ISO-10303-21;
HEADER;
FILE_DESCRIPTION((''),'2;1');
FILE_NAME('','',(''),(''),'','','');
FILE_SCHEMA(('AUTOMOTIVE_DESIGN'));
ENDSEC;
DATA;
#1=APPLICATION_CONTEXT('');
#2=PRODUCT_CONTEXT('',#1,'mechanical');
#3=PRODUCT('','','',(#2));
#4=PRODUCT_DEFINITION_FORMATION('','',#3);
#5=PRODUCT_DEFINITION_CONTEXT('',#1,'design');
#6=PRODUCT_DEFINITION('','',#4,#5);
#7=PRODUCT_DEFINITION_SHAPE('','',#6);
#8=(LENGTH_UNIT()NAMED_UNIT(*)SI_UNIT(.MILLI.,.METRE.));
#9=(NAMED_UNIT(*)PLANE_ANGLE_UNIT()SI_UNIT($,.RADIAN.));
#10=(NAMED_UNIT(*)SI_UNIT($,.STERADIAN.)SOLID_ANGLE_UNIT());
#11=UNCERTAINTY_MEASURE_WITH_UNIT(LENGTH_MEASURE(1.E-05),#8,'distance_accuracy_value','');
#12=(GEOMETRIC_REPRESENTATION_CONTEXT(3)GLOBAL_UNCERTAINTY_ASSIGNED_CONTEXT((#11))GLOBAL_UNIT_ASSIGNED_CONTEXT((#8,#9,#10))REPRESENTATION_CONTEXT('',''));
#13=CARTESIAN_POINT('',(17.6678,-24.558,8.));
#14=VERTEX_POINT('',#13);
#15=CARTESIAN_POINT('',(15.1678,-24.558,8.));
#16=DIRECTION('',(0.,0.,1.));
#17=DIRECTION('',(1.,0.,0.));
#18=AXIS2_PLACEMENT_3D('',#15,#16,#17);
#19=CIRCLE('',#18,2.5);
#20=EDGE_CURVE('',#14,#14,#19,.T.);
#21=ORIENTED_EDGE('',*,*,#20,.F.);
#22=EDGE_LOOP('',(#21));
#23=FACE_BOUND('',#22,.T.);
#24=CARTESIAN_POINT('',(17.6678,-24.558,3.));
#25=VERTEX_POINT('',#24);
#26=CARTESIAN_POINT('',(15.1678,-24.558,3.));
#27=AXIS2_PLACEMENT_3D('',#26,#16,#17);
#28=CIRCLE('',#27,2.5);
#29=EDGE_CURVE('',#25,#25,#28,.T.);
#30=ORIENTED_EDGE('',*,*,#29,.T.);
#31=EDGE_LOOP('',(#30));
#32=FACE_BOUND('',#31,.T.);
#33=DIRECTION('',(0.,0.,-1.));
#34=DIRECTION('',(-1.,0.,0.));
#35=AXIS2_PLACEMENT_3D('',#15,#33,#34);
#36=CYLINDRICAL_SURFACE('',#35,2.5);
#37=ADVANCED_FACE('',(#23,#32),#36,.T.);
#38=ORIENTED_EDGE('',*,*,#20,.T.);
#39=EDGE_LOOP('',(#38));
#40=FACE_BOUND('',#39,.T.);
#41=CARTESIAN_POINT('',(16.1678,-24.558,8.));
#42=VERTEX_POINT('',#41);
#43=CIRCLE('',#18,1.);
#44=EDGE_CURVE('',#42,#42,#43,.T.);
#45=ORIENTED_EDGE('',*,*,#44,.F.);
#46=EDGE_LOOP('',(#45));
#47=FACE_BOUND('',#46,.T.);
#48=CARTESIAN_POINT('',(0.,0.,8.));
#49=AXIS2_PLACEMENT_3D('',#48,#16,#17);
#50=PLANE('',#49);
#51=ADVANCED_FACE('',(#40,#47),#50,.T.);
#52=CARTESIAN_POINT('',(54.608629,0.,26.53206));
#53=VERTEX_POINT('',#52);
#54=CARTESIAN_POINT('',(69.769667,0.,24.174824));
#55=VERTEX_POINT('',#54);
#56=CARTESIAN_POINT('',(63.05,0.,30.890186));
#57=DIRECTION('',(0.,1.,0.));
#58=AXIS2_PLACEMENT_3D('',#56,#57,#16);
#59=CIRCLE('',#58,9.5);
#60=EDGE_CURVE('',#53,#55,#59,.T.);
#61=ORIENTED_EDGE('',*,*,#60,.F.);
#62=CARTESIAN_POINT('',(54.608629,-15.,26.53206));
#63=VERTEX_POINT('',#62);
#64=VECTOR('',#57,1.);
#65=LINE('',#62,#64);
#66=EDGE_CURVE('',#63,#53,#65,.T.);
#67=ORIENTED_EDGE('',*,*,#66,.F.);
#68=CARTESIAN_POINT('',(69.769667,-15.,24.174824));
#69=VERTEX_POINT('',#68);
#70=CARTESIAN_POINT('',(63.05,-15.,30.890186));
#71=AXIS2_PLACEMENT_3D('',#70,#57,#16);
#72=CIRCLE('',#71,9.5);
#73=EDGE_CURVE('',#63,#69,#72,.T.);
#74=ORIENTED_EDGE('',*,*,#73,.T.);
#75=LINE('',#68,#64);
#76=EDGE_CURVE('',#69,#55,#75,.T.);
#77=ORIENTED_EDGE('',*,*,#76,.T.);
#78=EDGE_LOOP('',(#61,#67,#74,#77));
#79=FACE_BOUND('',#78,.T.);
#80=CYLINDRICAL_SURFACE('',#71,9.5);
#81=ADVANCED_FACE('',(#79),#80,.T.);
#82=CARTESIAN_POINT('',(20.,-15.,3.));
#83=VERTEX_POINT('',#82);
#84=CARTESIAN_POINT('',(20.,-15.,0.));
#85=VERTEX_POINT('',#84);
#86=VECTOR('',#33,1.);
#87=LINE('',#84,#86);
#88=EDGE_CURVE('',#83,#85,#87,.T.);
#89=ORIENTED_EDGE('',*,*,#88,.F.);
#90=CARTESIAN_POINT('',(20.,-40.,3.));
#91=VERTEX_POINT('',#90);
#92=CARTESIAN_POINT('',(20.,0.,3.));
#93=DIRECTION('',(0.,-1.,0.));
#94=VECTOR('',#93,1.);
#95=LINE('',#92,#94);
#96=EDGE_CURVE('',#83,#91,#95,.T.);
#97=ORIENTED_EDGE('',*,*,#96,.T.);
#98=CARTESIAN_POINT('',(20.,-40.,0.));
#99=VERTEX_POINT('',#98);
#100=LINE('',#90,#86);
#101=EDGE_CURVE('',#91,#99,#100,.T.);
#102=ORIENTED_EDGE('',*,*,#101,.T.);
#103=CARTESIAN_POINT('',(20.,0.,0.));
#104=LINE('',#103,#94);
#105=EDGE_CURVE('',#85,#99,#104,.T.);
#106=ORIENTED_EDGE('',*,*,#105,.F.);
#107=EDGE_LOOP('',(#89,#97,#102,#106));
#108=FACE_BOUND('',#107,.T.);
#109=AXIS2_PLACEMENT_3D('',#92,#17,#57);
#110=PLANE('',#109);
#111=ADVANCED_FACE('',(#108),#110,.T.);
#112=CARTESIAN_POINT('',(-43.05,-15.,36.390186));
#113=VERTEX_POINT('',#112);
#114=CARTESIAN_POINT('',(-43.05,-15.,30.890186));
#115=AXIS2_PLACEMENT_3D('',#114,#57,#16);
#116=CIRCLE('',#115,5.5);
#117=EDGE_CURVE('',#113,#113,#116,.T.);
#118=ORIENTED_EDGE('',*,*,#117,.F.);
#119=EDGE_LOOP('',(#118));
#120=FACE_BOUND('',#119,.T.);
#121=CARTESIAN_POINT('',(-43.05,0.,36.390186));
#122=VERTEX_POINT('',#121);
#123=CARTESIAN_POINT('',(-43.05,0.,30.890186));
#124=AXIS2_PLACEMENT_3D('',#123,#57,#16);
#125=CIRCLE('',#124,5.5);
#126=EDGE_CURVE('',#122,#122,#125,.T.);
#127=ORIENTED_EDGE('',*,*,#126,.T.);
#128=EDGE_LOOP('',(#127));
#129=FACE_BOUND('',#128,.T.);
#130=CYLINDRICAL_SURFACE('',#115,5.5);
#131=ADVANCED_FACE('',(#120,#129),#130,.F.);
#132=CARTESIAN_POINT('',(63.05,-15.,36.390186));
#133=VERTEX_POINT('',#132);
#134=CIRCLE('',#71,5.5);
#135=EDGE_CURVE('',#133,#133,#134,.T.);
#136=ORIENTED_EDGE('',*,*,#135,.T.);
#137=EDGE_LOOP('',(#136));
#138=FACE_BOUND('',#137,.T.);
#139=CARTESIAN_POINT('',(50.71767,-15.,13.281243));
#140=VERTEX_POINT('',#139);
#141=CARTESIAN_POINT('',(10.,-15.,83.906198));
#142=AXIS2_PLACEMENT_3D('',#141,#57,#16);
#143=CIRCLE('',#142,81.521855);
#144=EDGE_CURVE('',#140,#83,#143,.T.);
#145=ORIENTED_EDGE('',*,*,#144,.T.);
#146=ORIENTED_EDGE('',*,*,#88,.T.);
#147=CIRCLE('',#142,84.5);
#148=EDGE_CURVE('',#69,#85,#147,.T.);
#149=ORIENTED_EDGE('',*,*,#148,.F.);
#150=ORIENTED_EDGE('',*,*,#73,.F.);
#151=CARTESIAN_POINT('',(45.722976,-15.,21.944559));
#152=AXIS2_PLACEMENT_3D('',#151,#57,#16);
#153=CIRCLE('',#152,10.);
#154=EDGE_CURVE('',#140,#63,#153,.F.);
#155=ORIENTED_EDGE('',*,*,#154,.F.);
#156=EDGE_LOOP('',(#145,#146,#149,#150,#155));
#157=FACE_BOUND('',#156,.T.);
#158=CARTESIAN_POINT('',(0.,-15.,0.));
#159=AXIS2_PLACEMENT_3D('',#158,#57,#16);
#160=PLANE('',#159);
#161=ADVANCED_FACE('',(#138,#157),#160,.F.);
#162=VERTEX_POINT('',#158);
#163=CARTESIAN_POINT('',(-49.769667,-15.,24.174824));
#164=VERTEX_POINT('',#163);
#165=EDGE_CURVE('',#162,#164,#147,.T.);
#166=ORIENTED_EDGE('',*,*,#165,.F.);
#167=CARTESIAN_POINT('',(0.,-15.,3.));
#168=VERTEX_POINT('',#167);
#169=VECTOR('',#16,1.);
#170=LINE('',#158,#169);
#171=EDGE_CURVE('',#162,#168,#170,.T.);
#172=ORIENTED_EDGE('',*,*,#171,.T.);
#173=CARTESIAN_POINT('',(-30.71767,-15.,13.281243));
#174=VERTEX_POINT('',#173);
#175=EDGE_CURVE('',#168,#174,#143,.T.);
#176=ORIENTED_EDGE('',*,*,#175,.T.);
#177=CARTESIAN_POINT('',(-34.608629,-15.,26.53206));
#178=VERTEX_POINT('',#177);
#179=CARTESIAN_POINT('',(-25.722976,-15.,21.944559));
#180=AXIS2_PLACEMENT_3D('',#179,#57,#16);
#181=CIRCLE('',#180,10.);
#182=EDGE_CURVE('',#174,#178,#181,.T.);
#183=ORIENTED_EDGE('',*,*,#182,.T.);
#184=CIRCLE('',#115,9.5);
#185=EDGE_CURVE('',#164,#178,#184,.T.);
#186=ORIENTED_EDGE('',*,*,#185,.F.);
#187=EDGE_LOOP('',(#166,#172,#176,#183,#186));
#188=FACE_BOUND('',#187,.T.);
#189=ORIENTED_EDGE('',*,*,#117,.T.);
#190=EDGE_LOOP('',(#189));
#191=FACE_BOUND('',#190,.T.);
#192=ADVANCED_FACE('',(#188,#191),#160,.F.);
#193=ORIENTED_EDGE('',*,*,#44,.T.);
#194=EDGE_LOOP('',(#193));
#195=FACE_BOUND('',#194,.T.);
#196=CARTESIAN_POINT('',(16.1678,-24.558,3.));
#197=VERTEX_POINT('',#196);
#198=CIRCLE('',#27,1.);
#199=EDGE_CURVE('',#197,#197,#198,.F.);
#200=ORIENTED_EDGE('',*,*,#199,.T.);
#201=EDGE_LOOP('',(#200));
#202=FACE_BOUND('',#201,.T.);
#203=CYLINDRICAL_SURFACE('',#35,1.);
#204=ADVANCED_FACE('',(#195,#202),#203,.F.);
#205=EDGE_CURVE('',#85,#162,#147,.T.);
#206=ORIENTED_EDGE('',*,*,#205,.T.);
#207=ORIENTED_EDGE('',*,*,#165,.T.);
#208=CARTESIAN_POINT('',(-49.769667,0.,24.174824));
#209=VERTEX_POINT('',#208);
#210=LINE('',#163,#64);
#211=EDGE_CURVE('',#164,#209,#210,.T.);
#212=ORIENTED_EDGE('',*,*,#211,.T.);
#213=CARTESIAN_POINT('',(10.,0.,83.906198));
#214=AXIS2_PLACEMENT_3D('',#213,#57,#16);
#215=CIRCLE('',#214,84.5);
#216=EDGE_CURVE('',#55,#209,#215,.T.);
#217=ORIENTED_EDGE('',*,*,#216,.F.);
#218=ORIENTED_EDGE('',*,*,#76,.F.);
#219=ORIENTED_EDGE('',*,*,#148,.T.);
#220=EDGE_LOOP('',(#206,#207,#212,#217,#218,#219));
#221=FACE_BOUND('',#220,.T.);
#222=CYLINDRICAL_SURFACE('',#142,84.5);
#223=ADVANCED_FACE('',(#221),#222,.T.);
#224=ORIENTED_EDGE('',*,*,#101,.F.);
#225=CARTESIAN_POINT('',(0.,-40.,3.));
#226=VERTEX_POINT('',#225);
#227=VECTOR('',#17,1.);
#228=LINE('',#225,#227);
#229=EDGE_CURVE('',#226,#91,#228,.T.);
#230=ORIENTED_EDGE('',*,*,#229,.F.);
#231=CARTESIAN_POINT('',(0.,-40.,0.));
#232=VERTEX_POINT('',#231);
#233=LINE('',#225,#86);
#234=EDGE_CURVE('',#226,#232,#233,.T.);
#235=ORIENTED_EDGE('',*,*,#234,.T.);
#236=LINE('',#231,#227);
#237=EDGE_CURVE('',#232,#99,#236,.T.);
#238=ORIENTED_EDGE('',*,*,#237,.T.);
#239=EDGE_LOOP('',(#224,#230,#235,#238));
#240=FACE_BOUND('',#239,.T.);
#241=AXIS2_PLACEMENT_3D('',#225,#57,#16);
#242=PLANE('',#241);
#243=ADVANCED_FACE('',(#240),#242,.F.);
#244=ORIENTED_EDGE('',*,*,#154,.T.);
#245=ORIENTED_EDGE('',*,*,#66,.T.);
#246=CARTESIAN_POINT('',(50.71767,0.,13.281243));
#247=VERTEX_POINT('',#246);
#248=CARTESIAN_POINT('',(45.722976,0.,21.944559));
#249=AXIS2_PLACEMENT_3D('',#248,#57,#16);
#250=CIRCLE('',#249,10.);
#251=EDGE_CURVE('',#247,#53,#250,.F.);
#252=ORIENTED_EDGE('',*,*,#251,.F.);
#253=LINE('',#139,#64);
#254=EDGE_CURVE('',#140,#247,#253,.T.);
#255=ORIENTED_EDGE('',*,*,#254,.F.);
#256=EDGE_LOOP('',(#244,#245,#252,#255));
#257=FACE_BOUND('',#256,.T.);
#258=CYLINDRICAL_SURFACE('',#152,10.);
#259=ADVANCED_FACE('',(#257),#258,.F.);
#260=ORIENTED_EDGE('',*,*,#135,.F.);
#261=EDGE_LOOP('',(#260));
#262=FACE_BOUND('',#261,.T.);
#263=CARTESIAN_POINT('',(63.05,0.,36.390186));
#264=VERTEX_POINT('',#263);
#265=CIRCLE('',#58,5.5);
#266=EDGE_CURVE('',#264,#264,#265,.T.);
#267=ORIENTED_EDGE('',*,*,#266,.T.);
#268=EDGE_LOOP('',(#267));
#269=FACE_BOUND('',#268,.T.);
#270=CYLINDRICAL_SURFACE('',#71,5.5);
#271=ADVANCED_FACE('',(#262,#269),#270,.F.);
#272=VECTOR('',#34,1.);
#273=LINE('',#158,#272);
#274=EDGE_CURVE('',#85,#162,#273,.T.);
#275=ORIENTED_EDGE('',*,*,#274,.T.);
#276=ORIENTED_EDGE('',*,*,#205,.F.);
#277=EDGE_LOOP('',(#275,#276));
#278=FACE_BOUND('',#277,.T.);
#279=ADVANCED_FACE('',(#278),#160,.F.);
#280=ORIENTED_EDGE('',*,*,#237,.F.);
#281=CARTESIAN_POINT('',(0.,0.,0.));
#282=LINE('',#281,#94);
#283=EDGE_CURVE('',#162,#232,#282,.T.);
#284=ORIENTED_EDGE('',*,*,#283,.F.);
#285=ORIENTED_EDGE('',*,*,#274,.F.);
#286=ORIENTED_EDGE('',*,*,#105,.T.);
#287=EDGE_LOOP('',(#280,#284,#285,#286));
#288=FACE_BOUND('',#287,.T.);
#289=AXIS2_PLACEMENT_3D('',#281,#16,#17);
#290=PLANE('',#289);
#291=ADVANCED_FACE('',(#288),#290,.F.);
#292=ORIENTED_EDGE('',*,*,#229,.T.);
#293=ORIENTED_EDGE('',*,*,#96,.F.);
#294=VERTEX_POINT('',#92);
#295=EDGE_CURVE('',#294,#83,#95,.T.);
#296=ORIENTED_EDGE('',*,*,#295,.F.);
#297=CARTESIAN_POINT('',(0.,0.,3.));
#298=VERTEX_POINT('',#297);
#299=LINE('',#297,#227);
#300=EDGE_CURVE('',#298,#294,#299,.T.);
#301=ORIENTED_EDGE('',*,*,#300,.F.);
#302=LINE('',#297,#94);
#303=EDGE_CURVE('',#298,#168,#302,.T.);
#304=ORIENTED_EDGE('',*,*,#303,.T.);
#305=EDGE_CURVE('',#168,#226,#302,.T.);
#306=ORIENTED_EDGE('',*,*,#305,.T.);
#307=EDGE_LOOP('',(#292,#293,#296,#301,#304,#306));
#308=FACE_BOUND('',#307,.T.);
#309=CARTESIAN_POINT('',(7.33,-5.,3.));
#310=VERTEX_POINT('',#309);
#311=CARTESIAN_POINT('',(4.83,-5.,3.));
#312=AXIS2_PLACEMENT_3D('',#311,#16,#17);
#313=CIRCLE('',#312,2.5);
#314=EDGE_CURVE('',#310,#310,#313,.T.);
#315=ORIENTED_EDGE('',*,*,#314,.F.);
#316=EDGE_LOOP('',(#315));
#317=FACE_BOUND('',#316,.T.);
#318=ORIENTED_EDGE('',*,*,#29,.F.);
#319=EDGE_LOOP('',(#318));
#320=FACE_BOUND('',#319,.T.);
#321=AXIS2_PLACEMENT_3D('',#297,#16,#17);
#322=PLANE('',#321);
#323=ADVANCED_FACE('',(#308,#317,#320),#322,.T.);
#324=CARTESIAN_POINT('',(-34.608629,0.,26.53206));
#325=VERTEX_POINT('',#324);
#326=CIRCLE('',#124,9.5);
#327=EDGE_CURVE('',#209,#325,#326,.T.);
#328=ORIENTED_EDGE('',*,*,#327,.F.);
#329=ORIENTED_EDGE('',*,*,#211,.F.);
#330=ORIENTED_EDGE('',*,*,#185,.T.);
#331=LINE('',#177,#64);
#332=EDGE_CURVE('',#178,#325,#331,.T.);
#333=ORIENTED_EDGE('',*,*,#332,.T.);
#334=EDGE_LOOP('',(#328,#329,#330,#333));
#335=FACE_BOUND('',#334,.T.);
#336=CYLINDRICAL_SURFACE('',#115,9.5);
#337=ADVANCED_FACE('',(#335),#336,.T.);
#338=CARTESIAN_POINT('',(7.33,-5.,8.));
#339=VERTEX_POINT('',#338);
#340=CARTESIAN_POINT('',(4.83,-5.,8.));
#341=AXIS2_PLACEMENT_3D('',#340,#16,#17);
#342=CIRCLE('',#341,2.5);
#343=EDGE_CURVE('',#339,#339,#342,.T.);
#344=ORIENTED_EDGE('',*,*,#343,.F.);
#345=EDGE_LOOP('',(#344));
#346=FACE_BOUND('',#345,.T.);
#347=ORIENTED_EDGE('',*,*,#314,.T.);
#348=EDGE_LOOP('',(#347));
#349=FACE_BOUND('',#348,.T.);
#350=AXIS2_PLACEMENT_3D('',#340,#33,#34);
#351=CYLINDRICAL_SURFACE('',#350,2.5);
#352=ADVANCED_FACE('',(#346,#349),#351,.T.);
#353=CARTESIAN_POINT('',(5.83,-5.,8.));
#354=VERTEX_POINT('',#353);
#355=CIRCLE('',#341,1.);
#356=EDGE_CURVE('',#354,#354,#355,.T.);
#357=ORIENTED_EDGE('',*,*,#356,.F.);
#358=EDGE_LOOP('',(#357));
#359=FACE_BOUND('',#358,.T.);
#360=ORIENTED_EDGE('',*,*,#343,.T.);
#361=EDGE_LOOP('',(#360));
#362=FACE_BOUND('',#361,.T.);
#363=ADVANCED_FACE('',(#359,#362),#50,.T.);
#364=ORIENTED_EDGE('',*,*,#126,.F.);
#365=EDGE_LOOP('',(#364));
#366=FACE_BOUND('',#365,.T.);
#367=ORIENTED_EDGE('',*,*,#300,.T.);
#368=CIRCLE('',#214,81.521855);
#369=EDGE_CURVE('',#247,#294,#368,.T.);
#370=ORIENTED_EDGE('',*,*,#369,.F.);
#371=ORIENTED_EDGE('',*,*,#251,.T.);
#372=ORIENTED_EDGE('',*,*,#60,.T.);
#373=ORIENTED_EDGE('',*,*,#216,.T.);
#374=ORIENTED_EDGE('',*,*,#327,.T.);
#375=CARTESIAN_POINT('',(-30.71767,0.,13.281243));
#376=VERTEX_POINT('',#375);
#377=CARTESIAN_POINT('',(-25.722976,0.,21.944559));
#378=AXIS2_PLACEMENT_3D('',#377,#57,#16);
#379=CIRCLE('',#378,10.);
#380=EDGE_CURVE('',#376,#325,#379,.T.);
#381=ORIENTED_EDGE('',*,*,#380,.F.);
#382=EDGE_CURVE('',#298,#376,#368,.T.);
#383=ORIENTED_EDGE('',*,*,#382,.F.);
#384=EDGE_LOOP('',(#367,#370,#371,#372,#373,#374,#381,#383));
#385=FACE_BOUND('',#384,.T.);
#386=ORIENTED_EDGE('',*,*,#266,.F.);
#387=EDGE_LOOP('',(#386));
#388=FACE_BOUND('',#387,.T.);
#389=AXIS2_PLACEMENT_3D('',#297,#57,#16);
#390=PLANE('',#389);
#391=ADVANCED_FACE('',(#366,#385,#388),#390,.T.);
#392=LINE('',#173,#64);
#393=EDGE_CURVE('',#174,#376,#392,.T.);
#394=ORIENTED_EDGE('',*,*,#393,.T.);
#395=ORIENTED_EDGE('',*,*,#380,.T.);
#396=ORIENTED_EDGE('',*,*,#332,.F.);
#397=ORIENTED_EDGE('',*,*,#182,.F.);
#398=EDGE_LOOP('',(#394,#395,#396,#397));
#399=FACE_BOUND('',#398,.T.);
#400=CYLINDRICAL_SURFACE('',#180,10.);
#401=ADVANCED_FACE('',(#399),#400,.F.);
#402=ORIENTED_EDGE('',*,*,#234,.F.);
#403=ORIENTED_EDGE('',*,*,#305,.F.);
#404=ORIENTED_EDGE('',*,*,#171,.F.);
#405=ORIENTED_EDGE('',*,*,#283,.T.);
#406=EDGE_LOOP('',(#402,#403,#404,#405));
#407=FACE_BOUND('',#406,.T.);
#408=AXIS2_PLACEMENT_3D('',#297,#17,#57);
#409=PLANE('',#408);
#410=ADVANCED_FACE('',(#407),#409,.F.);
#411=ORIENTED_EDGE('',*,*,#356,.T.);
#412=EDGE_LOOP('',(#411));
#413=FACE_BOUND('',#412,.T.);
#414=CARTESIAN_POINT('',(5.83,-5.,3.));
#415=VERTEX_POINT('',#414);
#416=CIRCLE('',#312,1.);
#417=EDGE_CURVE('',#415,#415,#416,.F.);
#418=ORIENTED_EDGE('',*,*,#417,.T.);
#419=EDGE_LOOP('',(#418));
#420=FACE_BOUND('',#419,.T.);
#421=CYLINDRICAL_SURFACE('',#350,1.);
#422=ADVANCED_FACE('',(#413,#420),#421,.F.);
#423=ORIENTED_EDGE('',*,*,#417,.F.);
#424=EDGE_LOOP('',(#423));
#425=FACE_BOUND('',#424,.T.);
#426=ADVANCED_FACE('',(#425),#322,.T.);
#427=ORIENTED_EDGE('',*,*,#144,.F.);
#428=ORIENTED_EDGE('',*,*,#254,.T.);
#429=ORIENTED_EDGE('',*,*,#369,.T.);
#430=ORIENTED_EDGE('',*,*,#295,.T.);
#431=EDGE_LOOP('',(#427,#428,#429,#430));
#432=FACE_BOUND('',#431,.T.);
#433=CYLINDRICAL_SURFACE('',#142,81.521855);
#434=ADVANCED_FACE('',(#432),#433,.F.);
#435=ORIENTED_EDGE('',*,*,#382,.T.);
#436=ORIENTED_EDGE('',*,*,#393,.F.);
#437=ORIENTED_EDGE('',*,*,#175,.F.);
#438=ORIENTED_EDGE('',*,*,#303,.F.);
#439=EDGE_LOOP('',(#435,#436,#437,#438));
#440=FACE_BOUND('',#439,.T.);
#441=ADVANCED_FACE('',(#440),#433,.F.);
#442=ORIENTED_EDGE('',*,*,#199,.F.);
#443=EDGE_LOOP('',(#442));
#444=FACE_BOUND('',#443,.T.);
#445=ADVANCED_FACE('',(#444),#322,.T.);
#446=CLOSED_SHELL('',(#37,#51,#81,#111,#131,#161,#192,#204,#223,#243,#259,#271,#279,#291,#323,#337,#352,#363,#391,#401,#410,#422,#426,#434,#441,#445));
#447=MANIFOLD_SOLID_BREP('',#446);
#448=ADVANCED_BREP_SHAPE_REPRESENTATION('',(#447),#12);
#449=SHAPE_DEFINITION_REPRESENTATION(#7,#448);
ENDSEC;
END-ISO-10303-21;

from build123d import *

# Parameters (mm, degrees)
SKETCH1_W           = 20
SKETCH1_H           = 40
BOSS_EXTRUDE1_DEPTH = 3
SKETCH2_R           = 2.5
SKETCH2_R_2         = 1
BOSS_EXTRUDE2_DEPTH = 5
SKETCH3_R           = 5.5
BOSS_EXTRUDE3_DEPTH = 15


with BuildPart() as part:
    # Sketch1 → Boss-Extrude1 (new body)
    with BuildSketch(Plane.XY):
        with Locations((10, -20)):
            Rectangle(SKETCH1_W, SKETCH1_H)
    extrude(amount=BOSS_EXTRUDE1_DEPTH)

    # Sketch2 → Boss-Extrude2 (add)
    # profile 1 of 2: a face of its own
    with BuildSketch(Plane.XY.offset(3)):
        with Locations((4.83, -5)):
            Circle(SKETCH2_R)
        with Locations((4.83, -5)):
            Circle(SKETCH2_R_2, mode=Mode.SUBTRACT)
    # profile 2 of 2: a face of its own
    with BuildSketch(Plane.XY.offset(3)):
        with Locations((15.1678, -24.558)):
            Circle(SKETCH2_R)
        with Locations((15.1678, -24.558)):
            Circle(SKETCH2_R_2, mode=Mode.SUBTRACT)
    extrude(amount=BOSS_EXTRUDE2_DEPTH)

    # Sketch3 → Boss-Extrude3 (add)
    # profile 1 of 3: a face of its own
    with BuildSketch(Plane(origin=(0, 0, 0), x_dir=(1, 0, 0), z_dir=(0, 1, 0))):
        with BuildLine():
            Line((0, -3), (0, 0))
            ThreePointArc((0, 0), (-26.919603607, -7.898350205), (-49.769666667, -24.174824407))
            ThreePointArc((-49.769666667, -24.174824407), (-44.509522467, -40.277400292), (-34.608629413, -26.532059851))
            ThreePointArc((-34.608629413, -26.532059851), (-35.317872875, -19.127120719), (-30.717669917, -13.28124332))
            ThreePointArc((-30.717669917, -13.28124332), (-15.874630461, -6.599559407), (0, -3))
        make_face()
        with Locations(Location((-43.05, -30.890185893, 0), (0, 0, 270))):
            Circle(SKETCH3_R, mode=Mode.SUBTRACT)
    # profile 2 of 3: a face of its own
    with BuildSketch(Plane(origin=(0, 0, 0), x_dir=(1, 0, 0), z_dir=(0, 1, 0))):
        with BuildLine():
            ThreePointArc((69.769666667, -24.174824407), (46.919603607, -7.898350205), (20, 0))
            Line((20, 0), (20, -3))
            ThreePointArc((20, -3), (35.874630461, -6.599559407), (50.717669917, -13.28124332))
            ThreePointArc((50.717669917, -13.28124332), (55.317872875, -19.127120719), (54.608629413, -26.532059851))
            ThreePointArc((54.608629413, -26.532059851), (64.509522467, -40.277400292), (69.769666667, -24.174824407))
        make_face()
        with Locations(Location((63.05, -30.890185893, 0), (0, 0, 270))):
            Circle(SKETCH3_R, mode=Mode.SUBTRACT)
    # profile 3 of 3: a face of its own
    with BuildSketch(Plane(origin=(0, 0, 0), x_dir=(1, 0, 0), z_dir=(0, 1, 0))):
        with BuildLine():
            Line((0, 0), (20, 0))
            ThreePointArc((20, 0), (10, 0.593802374), (0, 0))
        make_face()
    extrude(amount=-BOSS_EXTRUDE3_DEPTH)


solid = part.part
